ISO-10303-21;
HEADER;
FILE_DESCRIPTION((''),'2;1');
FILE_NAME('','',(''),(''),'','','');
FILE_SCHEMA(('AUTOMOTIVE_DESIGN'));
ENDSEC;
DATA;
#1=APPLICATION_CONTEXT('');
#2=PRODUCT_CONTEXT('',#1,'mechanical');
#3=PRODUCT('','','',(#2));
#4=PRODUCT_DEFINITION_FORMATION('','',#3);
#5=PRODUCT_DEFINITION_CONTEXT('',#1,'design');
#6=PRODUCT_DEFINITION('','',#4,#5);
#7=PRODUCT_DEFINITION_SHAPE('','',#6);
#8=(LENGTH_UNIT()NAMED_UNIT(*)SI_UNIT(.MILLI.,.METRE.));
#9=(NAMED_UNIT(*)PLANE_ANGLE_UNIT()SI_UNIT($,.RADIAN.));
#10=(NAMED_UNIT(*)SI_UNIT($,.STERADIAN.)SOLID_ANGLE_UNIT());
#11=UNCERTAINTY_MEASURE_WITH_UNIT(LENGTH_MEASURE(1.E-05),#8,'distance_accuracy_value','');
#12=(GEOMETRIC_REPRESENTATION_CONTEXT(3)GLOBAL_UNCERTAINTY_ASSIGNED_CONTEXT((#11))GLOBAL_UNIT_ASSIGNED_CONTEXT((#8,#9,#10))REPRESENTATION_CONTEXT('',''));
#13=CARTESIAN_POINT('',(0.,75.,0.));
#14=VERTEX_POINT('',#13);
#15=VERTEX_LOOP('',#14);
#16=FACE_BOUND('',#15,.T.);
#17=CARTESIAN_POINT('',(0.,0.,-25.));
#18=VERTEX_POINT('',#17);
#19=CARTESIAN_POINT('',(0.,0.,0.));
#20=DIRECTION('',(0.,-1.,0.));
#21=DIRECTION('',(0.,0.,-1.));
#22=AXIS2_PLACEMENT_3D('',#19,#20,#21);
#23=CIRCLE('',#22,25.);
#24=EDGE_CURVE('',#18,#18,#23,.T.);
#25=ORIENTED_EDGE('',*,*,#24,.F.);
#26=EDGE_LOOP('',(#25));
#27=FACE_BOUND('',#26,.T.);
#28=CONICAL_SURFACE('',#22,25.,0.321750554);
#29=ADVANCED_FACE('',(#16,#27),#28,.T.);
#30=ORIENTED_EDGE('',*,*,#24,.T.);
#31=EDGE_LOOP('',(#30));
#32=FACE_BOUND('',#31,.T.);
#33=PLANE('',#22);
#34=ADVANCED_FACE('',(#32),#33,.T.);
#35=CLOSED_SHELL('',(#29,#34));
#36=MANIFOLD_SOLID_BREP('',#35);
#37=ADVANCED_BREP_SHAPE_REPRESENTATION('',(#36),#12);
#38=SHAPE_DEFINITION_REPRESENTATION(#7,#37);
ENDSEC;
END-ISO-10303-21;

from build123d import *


with BuildPart() as part:
    # 草图1 → 旋转1 (revolve)
    with BuildSketch(Plane.XY, mode=Mode.PRIVATE) as revolve_1_sk:
        Polygon((0, 0), (25, 0), (0, 75), align=None)
    revolve(revolve_1_sk.sketch.rotate(Axis((0, 0, 0), (0, 1, 0)), 90), axis=Axis((0, 0, 0), (0, 1, 0)))


solid = part.part
